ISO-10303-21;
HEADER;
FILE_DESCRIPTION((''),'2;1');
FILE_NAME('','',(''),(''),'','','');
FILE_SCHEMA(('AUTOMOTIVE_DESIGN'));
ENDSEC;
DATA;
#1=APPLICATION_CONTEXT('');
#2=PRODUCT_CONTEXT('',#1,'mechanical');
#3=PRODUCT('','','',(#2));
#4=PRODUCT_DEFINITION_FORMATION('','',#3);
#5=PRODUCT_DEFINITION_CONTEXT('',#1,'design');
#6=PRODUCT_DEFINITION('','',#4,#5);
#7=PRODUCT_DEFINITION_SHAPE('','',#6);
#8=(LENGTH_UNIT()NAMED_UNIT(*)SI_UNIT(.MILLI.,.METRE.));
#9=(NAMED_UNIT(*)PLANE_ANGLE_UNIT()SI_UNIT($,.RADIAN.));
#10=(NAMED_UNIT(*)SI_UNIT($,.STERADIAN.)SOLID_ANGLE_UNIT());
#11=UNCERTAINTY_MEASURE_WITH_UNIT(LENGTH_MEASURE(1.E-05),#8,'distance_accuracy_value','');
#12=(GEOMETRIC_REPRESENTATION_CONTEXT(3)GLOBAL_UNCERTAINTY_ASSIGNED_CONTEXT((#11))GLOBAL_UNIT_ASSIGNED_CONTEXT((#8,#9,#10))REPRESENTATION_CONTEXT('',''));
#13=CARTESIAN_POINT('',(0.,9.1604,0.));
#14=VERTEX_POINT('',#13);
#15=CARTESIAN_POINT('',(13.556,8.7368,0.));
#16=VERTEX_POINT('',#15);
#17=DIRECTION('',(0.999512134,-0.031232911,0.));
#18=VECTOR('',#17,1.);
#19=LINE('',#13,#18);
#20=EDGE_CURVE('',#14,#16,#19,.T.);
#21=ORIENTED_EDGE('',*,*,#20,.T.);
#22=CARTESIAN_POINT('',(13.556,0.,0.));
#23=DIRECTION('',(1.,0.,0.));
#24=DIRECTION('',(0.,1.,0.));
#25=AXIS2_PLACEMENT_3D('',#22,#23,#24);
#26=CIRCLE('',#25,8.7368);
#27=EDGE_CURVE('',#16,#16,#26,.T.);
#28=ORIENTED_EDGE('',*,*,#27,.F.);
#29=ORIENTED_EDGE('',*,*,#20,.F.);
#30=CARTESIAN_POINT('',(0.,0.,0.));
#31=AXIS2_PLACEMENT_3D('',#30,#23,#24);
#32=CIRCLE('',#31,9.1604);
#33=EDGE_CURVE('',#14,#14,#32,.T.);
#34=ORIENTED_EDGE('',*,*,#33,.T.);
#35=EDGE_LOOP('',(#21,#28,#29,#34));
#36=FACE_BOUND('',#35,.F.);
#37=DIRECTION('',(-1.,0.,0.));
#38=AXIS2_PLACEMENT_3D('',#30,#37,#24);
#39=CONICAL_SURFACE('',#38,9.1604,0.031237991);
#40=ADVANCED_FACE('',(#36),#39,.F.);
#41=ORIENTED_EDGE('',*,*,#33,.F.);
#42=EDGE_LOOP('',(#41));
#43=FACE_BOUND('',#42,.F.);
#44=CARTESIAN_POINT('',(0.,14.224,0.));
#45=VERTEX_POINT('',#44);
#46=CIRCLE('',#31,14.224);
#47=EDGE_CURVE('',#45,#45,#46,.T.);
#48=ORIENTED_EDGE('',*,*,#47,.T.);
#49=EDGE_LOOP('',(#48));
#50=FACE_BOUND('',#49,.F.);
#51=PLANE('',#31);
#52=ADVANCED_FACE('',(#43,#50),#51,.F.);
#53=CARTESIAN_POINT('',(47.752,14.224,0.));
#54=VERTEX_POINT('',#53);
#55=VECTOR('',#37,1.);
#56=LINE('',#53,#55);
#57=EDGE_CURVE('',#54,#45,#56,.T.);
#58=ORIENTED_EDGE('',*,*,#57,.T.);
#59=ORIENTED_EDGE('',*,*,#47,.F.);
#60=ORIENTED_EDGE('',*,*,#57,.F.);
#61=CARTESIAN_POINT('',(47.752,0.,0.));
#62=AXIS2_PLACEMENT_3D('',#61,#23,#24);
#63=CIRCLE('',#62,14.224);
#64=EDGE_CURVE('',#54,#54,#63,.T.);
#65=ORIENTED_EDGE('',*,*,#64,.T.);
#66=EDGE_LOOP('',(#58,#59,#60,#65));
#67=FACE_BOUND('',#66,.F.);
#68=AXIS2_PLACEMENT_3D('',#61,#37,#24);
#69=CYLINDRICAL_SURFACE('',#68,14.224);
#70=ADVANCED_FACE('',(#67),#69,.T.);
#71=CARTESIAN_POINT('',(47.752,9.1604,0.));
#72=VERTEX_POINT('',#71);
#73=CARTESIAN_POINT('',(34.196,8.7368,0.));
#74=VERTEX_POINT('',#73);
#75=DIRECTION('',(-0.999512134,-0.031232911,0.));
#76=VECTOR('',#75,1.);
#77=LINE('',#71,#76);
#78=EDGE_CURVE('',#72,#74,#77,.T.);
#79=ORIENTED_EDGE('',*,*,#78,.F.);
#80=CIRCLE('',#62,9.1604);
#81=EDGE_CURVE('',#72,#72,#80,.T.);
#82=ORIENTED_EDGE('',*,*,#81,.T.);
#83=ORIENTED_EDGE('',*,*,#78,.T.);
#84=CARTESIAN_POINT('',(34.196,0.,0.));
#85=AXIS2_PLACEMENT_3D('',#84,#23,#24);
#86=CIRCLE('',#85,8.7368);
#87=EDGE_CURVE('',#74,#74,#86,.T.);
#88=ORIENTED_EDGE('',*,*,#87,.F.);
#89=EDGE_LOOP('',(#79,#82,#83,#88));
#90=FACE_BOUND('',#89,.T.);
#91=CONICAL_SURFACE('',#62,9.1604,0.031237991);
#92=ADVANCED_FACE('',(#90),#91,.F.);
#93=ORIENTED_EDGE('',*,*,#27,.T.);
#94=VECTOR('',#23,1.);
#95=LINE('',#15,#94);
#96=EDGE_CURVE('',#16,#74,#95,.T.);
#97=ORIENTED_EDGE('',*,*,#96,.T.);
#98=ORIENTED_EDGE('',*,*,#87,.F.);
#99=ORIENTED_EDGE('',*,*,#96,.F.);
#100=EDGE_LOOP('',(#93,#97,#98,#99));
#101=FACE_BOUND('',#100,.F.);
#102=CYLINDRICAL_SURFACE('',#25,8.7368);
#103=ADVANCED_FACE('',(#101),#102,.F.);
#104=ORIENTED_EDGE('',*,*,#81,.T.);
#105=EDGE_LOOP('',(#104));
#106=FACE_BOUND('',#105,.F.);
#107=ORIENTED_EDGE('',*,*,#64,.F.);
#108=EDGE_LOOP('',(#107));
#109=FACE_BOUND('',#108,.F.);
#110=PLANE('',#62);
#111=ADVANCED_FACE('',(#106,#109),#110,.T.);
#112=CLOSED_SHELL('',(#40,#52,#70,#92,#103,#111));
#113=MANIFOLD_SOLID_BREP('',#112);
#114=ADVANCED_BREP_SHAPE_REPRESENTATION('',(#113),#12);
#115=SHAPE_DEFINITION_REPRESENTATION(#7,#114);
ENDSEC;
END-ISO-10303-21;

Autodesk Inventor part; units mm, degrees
ref_plane "YZ Plane" through (0, 0, 0) normal (1, 0, 0) x (0, 1, 0)
ref_plane "XZ Plane" through (0, 0, 0) normal (0, 1, 0) x (-1, 0, 0)
ref_plane "XY Plane" through (0, 0, 0) normal (0, 0, 1) x (1, 0, 0)
sketch "Sketch1" plane through (0, 0, 0) normal (0, 0, 1) x (1, 0, 0)
  line L0 (0, 0) -> (47.752, 0)
  line L1 (47.752, 0) -> (47.752, 9.1604) construction
  line L2 (47.752, 9.1604) -> (0, 9.1604) construction
  line L3 (0, 9.1604) -> (0, 0) construction
  line L4 (47.752, 9.1604) -> (47.752, 14.224)
  line L5 (47.752, 14.224) -> (0, 14.224)
  line L6 (0, 14.224) -> (0, 9.1604)
  line L7 (0, 9.1604) -> (13.556, 8.7368)
  line L8 (23.876, 0) -> (23.876, 14.224) construction
  line L9 (47.752, 9.1604) -> (34.196, 8.7368)
  line L10 (13.556, 8.7368) -> (34.196, 8.7368)
  line L11 (13.556, 8.7368) -> (13.556, 0) construction
  line L12 (34.196, 8.7368) -> (34.196, 0) construction
  dimension "d0" = 18.3208
  dimension "d1" = 47.752
  dimension "d2" = 28.448
  dimension "d3" = 1.79
  dimension "d4" = 13.556
revolve "Revolve1" add sketch "Sketch1" angle 360 about axis through (0, 0, 0) along (1, 0, 0)
thread "Резьба1" size "1/2" designation "1/2 - 14 NPT" standard "NPT" full length
thread "Резьба2" size "1/2" designation "1/2 - 14 NPT" standard "NPT" full length
equation "\"d0\" = MD"
equation "\"d1\" = W1"
equation "\"d2\" = D"
equation "\"d4\" = L"
equation "\"W1\" = 47.752"
equation "\"D\" = 28.448"
equation "\"L\" = 13.55598"
equation "\"MD\" = 18.32077"
equation "\"Size_Designation\" = 1.2345"
properties part number "ASME B16.11 Резьбовое соединение - Класс 3000 1/2 x 1/2, CTC3000" material "Сталь"
